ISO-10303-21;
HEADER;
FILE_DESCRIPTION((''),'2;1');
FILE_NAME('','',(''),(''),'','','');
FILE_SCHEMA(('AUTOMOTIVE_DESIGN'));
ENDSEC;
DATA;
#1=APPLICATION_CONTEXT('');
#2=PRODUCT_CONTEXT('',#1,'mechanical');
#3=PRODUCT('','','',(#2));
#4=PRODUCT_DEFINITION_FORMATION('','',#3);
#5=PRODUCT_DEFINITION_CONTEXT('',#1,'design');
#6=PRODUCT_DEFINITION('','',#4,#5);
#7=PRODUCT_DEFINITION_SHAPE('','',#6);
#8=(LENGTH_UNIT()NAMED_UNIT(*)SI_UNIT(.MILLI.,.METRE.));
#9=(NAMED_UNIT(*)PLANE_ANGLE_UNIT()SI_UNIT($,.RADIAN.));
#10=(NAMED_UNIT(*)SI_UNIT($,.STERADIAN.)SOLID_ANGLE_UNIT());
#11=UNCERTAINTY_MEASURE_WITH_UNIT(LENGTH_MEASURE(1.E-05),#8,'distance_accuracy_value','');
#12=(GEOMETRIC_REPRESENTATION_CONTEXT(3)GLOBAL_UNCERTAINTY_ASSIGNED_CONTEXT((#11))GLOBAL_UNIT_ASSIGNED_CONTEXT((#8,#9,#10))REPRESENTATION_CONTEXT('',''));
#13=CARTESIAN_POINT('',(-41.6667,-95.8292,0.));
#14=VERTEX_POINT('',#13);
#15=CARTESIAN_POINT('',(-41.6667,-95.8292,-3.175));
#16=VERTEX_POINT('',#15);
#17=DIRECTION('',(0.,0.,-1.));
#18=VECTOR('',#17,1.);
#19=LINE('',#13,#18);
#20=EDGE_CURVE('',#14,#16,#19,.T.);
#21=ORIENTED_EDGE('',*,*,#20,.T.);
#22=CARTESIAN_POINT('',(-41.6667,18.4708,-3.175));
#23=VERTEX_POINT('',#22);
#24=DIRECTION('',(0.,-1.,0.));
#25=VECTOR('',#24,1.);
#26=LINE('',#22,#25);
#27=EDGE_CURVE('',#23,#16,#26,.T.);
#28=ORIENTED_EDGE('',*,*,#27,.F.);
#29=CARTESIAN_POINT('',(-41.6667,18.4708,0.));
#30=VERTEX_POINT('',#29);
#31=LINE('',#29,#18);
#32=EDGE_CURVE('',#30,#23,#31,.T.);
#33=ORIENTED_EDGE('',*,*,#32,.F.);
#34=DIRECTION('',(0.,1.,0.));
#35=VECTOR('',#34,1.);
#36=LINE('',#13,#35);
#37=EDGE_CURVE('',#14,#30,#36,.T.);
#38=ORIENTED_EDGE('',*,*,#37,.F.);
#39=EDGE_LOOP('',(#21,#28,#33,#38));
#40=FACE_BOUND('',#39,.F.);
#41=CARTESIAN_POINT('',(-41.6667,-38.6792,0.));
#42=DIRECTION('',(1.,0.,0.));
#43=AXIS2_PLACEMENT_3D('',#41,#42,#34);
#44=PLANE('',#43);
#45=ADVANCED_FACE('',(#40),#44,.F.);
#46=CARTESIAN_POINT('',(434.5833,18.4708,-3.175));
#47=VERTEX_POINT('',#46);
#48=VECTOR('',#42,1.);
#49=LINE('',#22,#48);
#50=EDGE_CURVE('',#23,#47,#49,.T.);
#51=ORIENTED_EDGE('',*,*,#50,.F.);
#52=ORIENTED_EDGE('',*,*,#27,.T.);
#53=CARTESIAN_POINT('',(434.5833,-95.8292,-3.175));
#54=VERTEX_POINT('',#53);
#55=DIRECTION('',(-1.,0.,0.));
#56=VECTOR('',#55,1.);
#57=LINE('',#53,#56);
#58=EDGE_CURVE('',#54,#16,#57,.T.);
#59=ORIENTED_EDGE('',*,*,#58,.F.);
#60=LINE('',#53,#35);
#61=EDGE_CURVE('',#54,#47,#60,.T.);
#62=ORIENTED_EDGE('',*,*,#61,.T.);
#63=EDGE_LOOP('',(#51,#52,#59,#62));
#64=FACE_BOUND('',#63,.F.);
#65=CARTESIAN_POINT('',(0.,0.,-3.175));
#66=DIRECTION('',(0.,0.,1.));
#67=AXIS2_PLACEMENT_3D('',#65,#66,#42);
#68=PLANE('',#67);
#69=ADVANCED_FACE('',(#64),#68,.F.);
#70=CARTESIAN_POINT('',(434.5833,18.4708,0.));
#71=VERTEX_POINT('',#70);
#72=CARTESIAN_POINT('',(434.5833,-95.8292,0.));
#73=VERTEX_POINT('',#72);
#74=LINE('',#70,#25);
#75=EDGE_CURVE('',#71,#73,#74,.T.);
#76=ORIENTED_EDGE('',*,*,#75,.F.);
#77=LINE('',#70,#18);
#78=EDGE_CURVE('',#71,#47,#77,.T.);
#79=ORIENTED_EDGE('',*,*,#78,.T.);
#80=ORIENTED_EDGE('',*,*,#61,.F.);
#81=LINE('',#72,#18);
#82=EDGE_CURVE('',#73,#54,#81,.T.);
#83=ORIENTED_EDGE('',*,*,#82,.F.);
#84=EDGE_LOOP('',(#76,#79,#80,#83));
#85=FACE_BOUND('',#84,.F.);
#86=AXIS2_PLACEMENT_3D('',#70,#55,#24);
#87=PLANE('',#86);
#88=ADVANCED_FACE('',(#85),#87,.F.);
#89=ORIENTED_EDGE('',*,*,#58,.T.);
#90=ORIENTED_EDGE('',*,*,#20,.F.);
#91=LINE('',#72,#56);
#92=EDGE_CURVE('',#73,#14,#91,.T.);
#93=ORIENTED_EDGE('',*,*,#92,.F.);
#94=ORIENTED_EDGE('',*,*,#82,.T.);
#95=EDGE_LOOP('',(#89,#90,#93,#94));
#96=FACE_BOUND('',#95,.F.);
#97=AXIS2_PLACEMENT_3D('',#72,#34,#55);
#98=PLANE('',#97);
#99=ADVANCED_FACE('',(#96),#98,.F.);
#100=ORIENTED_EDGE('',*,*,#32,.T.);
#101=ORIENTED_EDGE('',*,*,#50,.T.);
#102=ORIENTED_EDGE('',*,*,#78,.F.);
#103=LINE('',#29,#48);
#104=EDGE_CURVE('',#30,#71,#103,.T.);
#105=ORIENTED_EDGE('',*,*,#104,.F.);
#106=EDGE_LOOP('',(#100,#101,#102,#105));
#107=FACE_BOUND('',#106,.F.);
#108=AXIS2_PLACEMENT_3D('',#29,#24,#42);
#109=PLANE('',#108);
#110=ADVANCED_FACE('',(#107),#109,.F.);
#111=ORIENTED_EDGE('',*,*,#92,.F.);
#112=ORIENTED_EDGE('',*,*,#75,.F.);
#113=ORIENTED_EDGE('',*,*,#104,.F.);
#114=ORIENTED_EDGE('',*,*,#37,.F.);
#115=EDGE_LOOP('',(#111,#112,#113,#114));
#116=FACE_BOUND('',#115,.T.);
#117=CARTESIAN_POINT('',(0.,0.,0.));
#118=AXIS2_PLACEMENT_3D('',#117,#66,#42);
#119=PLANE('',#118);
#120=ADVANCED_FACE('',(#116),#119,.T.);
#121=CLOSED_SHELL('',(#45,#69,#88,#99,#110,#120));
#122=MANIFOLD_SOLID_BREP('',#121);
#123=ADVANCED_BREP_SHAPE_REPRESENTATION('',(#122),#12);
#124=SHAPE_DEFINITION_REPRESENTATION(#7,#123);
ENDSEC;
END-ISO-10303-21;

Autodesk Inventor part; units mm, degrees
ref_plane "YZ Plane" through (0, 0, 0) normal (1, 0, 0) x (0, 1, 0)
ref_plane "XZ Plane" through (0, 0, 0) normal (0, 1, 0) x (-1, 0, 0)
ref_plane "XY Plane" through (0, 0, 0) normal (0, 0, 1) x (1, 0, 0)
sketch "Sketch1" plane through (0, 0, 0) normal (0, 0, 1) x (1, 0, 0)
  line L0 (-41.6667, 18.4708) -> (434.5833, 18.4708)
  line L1 (434.5833, 18.4708) -> (434.5833, -95.8292)
  line L2 (434.5833, -95.8292) -> (-41.6667, -95.8292)
  line L3 (-41.6667, -95.8292) -> (-41.6667, 18.4708)
  line L4 (-41.6667, -38.6792) -> (434.5833, -38.6792)
  line L5 (-41.6667, -89.4792) -> (434.5833, -89.4792)
  point P0 (0, 0)
  dimension "d0" = 476.25
  dimension "d1" = 114.3
  dimension "d5" = 6.35
  dimension "d6" = 50.8
extrude "Extrusion1" add sketch "Sketch1" against normal blind 3.175
properties part number "circuit board"
